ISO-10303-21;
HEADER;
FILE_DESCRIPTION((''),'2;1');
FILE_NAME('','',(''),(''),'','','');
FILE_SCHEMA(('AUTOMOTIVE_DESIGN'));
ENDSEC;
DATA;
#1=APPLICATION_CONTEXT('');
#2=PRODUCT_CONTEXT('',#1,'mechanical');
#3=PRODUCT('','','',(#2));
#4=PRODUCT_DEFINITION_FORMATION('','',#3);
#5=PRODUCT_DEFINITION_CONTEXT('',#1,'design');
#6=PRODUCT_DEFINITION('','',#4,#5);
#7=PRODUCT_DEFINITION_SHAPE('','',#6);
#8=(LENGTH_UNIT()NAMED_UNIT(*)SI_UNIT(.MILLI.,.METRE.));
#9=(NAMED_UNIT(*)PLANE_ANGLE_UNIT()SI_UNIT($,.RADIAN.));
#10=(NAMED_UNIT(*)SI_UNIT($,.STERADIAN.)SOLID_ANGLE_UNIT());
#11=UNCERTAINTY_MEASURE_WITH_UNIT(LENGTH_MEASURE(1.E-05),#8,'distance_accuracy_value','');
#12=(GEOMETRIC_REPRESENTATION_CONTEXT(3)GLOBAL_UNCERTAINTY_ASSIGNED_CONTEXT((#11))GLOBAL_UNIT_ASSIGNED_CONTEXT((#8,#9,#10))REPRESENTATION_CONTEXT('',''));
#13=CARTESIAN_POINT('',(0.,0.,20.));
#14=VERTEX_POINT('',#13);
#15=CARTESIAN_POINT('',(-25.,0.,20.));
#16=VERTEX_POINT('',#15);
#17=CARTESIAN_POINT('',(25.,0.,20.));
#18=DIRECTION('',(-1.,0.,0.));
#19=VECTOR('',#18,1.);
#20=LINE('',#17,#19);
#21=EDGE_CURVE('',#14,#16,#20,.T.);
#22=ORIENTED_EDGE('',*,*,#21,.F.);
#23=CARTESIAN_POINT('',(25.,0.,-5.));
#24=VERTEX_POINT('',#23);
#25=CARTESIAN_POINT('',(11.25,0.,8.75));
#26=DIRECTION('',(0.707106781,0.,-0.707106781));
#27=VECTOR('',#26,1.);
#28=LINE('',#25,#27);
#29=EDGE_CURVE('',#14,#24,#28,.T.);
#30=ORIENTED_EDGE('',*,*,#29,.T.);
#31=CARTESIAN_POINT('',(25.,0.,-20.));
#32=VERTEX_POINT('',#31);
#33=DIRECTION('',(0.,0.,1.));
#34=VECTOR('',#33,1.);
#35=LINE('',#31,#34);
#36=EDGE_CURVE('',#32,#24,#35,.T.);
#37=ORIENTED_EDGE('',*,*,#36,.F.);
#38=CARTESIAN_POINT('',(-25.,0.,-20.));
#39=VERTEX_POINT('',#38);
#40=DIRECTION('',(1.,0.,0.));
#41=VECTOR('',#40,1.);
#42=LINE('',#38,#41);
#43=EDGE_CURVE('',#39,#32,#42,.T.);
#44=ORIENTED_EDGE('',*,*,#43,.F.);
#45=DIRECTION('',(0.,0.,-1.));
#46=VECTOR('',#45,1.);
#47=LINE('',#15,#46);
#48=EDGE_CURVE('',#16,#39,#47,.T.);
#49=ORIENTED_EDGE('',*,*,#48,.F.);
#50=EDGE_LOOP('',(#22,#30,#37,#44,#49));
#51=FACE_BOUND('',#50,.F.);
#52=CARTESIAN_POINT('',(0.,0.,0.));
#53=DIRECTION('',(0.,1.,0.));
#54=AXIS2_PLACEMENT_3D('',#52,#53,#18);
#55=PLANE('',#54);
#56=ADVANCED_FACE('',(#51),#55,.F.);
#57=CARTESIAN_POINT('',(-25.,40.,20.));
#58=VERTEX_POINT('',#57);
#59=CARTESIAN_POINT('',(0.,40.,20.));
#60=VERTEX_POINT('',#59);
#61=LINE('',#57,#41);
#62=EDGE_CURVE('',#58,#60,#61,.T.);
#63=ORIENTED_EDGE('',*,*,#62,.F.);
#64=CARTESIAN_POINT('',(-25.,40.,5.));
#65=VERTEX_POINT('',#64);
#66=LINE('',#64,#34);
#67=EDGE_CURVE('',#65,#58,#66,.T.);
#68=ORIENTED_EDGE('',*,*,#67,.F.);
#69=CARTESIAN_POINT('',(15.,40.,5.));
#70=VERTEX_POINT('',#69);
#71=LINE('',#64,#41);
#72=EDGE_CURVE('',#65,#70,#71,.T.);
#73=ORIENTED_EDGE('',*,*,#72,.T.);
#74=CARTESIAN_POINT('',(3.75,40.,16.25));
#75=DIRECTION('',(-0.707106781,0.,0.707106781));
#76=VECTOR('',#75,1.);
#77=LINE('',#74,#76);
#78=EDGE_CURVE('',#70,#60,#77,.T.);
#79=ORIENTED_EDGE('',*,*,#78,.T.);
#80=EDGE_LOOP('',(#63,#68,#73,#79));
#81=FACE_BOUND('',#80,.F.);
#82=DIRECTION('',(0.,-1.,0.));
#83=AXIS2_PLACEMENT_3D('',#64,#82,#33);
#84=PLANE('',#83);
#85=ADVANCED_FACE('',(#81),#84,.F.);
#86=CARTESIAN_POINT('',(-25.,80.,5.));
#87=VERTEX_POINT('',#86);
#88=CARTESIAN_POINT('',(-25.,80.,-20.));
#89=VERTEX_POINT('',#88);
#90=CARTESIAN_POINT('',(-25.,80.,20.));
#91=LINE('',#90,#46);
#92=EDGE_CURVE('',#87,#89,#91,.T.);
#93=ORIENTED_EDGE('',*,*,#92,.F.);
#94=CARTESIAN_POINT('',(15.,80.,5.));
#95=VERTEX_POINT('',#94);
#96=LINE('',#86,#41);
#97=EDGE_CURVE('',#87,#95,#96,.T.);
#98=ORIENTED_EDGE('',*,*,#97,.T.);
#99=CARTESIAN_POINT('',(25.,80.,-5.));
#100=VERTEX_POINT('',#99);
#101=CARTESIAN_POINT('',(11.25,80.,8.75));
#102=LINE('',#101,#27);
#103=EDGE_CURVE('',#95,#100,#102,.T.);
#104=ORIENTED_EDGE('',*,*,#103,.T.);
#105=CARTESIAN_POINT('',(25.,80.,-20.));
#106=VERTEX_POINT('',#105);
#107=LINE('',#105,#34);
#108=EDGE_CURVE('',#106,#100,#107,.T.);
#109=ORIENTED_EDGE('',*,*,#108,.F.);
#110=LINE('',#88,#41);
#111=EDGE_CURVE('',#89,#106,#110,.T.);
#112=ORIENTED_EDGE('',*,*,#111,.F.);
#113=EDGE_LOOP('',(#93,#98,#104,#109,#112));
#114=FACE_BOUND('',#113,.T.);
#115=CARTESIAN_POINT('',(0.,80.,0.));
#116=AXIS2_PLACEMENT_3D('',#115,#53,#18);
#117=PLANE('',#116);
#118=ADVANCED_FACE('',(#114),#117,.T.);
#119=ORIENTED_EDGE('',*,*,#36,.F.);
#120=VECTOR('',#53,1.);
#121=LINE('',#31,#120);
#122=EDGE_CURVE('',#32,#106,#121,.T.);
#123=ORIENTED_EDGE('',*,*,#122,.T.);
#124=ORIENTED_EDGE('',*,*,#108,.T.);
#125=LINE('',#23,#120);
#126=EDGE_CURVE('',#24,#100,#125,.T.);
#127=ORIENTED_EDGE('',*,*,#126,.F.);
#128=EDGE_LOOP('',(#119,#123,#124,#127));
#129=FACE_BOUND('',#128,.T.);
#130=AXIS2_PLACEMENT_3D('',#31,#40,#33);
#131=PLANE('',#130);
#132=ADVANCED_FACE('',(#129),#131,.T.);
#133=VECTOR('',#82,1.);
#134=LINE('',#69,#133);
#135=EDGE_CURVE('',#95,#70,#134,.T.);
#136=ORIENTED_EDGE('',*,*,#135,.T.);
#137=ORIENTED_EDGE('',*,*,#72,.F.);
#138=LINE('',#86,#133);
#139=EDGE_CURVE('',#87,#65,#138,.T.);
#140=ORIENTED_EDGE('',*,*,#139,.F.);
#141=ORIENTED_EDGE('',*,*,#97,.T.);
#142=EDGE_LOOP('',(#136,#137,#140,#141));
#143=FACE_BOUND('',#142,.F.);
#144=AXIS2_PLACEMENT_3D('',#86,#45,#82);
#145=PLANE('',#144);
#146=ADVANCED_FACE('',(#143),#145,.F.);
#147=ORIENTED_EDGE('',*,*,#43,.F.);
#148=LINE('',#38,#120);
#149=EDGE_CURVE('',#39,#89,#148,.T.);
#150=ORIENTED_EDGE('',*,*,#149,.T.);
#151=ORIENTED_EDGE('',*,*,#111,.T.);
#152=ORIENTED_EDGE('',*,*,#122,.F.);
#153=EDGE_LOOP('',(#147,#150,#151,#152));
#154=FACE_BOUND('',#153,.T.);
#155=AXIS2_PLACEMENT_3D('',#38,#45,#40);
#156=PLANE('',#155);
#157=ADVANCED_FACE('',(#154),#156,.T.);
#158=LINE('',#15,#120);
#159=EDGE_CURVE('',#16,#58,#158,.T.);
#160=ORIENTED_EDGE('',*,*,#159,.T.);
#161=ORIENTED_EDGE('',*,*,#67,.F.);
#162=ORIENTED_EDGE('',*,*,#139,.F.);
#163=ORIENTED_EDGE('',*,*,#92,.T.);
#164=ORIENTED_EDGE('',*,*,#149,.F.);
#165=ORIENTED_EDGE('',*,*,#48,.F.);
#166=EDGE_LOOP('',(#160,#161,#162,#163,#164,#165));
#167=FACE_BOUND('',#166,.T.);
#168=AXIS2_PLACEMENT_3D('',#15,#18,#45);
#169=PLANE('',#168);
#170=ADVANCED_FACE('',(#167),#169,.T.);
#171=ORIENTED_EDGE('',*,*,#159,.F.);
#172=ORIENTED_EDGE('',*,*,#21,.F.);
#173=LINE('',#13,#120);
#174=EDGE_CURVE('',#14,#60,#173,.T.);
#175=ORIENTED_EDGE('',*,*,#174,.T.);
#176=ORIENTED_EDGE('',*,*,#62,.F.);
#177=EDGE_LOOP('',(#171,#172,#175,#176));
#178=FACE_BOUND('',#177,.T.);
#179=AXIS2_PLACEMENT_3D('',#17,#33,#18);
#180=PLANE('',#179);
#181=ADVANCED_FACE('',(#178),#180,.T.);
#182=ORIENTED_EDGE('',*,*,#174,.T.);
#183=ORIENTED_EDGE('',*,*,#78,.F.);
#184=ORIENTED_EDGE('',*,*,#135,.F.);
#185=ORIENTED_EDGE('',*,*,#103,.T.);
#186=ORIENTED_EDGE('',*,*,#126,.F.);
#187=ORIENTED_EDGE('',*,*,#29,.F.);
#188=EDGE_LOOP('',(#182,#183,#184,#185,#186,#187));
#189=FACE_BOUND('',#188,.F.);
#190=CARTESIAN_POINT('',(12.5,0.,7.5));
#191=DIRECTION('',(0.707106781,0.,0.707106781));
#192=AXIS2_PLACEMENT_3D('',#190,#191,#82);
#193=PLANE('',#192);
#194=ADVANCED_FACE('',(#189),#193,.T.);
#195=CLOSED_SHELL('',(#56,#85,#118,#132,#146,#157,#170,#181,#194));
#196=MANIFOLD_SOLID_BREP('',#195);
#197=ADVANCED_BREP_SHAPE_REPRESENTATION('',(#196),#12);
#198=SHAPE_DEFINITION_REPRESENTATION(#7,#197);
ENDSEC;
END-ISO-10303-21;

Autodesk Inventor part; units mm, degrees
ref_plane "YZ Plane" through (0, 0, 0) normal (1, 0, 0) x (0, 1, 0)
ref_plane "XZ Plane" through (0, 0, 0) normal (0, 1, 0) x (-1, 0, 0)
ref_plane "XY Plane" through (0, 0, 0) normal (0, 0, 1) x (1, 0, 0)
sketch "Esboço1" plane through (0, 0, 0) normal (0, 1, 0) x (-1, 0, 0)
  line L0 (-25, 20) -> (25, 20)
  line L1 (25, 20) -> (25, -20)
  line L2 (25, -20) -> (-25, -20)
  line L3 (-25, -20) -> (-25, 20)
  line L4 (-25, 20) -> (25, -20) construction
  line L5 (25, 20) -> (-25, -20) construction
  point P0 (0, 0)
  dimension "d0" = 50
  dimension "d1" = 40
extrude "Extrusão1" add sketch "Esboço1" along normal blind 80
chamfer "Chanfro1" distance 25 angle 45 1 edges at (25, 40, 20) measured on face at (-8.3333, 26.6667, 20)
sketch "Esboço2" plane through (-25, 0, -20) normal (-1, 0, 0) x (0, 0, 1)
  line L0 (0, 80) -> (40, 80) projected
  line L1 (40, 80) -> (25, 80)
  line L2 (25, 80) -> (25, 40)
  line L3 (25, 40) -> (40, 40)
  line L4 (40, 40) -> (40, 80)
  point P0 (20, 0)
  dimension "d7" = 15
  dimension "d8" = 40
extrude "Extrusão2" cut sketch "Esboço2" against normal blind 80
